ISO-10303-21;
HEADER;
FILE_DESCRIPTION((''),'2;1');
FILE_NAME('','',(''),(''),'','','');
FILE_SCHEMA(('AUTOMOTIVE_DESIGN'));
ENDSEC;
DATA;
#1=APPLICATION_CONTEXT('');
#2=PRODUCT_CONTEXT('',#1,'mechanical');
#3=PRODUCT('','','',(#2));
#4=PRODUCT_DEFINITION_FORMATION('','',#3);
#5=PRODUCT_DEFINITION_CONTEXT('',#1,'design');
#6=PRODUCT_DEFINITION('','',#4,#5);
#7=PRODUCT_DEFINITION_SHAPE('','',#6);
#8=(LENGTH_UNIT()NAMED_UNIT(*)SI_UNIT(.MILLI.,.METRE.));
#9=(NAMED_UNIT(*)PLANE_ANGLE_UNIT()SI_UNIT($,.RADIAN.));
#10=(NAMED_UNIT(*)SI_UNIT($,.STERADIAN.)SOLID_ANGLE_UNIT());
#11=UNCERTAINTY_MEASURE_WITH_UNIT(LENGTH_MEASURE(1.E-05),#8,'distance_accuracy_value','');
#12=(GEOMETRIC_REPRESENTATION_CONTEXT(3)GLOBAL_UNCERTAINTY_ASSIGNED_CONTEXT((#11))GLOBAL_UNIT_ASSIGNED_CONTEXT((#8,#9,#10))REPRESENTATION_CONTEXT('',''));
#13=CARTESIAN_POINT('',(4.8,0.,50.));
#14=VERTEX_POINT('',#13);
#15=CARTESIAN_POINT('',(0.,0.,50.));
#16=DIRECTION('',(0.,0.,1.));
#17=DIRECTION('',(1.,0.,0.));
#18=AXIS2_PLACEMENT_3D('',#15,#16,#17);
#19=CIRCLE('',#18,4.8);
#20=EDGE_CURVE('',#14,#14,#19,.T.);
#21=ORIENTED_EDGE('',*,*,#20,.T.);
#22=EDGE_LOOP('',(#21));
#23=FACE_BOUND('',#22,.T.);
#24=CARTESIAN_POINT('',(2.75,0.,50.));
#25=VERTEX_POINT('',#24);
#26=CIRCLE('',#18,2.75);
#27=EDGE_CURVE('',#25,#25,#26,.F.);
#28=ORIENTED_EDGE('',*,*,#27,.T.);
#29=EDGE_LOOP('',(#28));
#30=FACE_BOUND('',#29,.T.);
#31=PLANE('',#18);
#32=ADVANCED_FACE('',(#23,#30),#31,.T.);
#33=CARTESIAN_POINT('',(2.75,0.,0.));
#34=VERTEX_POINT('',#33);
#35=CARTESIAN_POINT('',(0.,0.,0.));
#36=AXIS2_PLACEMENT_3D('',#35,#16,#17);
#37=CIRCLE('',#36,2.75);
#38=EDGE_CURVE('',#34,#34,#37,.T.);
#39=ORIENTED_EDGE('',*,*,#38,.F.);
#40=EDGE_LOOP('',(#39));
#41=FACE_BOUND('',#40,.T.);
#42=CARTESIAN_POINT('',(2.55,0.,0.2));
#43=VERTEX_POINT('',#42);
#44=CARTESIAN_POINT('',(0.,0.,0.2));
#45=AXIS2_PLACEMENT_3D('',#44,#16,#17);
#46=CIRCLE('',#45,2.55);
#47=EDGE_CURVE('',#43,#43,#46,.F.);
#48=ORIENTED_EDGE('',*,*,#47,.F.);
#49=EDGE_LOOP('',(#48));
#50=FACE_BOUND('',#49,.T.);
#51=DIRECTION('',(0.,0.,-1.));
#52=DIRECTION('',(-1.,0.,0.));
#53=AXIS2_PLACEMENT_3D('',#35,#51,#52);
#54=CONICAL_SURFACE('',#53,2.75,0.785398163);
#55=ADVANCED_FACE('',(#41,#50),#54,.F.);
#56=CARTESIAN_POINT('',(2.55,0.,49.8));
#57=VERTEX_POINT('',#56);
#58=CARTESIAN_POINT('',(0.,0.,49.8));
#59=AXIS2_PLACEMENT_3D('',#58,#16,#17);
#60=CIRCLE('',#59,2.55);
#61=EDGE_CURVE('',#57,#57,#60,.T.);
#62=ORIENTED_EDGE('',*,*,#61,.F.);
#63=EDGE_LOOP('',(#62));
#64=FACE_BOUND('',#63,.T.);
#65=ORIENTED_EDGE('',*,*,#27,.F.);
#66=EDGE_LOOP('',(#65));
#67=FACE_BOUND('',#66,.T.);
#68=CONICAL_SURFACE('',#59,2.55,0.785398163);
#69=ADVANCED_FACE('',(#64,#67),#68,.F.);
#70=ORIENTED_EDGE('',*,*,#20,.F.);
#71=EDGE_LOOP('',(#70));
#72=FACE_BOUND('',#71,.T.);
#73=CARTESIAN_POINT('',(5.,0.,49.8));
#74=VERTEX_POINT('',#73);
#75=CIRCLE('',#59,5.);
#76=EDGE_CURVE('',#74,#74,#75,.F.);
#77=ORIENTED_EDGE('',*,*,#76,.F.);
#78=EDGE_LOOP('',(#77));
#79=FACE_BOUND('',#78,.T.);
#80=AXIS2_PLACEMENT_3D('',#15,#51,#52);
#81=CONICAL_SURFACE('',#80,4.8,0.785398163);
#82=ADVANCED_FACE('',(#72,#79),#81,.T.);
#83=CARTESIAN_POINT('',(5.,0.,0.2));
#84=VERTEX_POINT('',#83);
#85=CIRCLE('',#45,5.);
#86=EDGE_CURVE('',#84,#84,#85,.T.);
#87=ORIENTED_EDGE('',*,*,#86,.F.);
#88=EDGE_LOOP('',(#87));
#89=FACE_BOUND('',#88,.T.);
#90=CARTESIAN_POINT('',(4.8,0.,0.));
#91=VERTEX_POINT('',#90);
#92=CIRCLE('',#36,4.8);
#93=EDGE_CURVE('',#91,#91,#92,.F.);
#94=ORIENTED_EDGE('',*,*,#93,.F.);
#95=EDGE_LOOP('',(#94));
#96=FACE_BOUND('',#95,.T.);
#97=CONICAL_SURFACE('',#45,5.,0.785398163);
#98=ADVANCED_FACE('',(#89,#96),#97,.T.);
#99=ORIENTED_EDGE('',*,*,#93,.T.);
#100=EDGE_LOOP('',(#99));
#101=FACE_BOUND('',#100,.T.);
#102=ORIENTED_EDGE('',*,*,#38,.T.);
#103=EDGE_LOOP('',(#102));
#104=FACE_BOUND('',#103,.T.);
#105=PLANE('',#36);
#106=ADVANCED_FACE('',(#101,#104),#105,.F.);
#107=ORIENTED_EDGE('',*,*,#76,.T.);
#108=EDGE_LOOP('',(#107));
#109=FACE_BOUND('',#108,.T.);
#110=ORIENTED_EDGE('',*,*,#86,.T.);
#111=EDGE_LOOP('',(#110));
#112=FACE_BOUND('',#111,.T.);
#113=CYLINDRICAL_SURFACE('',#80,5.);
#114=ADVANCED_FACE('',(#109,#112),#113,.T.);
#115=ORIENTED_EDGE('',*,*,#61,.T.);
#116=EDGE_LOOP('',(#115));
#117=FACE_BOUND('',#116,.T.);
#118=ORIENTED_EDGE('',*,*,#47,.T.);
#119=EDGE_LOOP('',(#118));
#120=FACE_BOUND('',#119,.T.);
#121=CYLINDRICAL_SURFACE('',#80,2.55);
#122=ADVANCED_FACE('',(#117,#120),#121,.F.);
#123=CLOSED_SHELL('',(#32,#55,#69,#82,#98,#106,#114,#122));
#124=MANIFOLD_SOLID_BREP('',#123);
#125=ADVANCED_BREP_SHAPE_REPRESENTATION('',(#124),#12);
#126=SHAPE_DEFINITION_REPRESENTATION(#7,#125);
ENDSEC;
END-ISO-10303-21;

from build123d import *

# Parameters (mm, degrees)
SKETCH1_R           = 5
SKETCH1_R_2         = 2.55
BOSS_EXTRUDE1_DEPTH = 50
CHAMFER1_SIZE       = 0.2


with BuildPart() as part:
    # Sketch1 → Boss-Extrude1 (new body)
    with BuildSketch(Plane.XY):
        Circle(SKETCH1_R)
        Circle(SKETCH1_R_2, mode=Mode.SUBTRACT)
    extrude(amount=BOSS_EXTRUDE1_DEPTH)

    # Chamfer1
    chamfer1_edges = [part.edges().sort_by_distance(p)[0] for p in [
        (-5, 0, 0),
        (-5, 0, 50),
        (-2.55, 0, 0),
        (-2.55, 0, 50),
    ]]
    chamfer(chamfer1_edges, length=CHAMFER1_SIZE)


solid = part.part
